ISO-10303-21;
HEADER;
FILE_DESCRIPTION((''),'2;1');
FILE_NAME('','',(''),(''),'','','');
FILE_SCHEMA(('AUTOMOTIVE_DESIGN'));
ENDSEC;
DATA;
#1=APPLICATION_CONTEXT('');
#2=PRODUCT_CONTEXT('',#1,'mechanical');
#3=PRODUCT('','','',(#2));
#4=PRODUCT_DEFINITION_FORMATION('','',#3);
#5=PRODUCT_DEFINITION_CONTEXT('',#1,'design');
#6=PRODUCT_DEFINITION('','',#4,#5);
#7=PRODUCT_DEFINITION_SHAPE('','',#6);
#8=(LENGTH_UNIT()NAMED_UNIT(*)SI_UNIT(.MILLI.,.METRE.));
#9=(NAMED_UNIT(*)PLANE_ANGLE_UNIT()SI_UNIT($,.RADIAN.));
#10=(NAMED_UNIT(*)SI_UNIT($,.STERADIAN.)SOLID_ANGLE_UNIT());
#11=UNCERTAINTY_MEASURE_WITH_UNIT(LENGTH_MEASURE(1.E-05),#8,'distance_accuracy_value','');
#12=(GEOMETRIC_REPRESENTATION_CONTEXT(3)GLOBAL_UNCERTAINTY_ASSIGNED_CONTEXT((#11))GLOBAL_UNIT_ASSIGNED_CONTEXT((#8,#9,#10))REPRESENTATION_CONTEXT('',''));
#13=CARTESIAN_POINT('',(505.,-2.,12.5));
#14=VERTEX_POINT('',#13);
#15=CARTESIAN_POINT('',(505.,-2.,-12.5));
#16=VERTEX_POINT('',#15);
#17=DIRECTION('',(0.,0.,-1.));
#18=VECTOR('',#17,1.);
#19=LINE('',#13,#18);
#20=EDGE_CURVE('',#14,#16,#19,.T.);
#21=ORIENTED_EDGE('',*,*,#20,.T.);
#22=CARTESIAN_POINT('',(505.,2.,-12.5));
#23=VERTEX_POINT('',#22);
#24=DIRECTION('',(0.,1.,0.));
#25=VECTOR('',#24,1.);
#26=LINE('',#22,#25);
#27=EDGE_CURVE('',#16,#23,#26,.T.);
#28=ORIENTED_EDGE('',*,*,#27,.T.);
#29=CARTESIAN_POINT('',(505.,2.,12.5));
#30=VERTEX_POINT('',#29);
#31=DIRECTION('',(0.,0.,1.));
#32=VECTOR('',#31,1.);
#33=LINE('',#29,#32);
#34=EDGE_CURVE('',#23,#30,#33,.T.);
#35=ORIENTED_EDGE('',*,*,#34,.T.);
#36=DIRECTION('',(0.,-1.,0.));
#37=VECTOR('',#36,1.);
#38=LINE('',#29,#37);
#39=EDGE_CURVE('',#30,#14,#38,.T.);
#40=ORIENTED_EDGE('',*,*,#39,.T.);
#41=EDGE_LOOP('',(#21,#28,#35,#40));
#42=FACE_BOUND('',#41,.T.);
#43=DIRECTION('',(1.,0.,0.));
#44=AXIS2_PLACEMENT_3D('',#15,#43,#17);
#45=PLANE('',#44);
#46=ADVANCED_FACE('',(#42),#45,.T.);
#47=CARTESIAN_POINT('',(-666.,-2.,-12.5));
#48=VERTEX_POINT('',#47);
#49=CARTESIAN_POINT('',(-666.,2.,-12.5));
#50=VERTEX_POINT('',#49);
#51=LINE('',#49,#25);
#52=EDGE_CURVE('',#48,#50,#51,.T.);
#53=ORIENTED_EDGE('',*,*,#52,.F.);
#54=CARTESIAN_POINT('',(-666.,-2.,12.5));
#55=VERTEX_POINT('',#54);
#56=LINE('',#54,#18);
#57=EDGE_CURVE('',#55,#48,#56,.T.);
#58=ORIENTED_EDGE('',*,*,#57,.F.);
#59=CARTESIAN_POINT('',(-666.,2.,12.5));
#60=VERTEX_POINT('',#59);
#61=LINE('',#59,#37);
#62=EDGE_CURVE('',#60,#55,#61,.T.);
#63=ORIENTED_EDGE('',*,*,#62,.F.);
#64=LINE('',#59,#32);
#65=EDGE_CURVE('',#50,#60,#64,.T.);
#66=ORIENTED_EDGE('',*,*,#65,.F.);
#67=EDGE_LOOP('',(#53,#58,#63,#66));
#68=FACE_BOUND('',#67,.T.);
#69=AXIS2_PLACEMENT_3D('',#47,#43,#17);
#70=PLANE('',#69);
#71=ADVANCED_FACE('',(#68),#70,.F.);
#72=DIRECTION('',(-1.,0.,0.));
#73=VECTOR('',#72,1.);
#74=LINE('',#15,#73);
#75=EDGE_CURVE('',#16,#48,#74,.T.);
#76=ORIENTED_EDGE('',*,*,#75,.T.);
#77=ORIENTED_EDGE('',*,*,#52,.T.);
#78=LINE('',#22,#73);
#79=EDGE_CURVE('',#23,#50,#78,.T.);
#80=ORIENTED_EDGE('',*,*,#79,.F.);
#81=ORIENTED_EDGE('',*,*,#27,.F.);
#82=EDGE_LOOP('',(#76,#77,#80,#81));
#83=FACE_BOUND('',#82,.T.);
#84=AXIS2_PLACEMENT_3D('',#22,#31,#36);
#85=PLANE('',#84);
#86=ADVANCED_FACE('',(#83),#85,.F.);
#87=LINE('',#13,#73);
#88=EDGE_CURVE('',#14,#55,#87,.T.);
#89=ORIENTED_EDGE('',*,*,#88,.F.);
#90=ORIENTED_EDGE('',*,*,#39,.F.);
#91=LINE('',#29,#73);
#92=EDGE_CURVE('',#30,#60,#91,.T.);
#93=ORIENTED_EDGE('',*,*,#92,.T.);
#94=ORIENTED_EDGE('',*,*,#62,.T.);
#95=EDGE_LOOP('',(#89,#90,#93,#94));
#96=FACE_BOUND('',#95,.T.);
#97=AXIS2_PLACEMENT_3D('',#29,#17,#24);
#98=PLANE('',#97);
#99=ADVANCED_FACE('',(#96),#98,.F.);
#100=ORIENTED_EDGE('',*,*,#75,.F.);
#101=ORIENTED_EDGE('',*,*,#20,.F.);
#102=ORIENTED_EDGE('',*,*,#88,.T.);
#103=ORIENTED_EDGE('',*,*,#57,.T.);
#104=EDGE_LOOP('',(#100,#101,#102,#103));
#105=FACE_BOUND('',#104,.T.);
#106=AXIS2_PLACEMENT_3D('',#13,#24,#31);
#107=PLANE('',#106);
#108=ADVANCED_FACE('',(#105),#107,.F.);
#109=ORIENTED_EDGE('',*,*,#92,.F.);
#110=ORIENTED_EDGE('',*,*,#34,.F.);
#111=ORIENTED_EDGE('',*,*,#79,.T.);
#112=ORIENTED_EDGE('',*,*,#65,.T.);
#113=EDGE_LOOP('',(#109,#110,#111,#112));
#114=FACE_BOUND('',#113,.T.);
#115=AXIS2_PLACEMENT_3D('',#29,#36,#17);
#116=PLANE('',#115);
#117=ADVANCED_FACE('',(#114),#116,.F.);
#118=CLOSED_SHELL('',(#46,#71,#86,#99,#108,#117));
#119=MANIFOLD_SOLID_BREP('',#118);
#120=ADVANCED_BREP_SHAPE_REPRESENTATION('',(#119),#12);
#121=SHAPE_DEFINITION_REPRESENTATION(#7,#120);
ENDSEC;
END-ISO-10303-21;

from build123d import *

# Parameters (mm, degrees)
BOSS_EXTRUDE1_DEPTH      = 505
BOSS_EXTRUDE1_DEPTH_BACK = 666
SKETCH3_W                = 25
SKETCH3_H                = 4


with BuildPart() as part:
    # Sketch3 → Boss-Extrude1 (new, two sides: drawn at the far end of the back side and taken through both)
    with BuildSketch(Plane(origin=(0, 0, 0), x_dir=(0, 0, -1), z_dir=(1, 0, 0)).offset(-BOSS_EXTRUDE1_DEPTH_BACK)):
        Rectangle(SKETCH3_W, SKETCH3_H)
    extrude(amount=BOSS_EXTRUDE1_DEPTH + BOSS_EXTRUDE1_DEPTH_BACK)


solid = part.part
